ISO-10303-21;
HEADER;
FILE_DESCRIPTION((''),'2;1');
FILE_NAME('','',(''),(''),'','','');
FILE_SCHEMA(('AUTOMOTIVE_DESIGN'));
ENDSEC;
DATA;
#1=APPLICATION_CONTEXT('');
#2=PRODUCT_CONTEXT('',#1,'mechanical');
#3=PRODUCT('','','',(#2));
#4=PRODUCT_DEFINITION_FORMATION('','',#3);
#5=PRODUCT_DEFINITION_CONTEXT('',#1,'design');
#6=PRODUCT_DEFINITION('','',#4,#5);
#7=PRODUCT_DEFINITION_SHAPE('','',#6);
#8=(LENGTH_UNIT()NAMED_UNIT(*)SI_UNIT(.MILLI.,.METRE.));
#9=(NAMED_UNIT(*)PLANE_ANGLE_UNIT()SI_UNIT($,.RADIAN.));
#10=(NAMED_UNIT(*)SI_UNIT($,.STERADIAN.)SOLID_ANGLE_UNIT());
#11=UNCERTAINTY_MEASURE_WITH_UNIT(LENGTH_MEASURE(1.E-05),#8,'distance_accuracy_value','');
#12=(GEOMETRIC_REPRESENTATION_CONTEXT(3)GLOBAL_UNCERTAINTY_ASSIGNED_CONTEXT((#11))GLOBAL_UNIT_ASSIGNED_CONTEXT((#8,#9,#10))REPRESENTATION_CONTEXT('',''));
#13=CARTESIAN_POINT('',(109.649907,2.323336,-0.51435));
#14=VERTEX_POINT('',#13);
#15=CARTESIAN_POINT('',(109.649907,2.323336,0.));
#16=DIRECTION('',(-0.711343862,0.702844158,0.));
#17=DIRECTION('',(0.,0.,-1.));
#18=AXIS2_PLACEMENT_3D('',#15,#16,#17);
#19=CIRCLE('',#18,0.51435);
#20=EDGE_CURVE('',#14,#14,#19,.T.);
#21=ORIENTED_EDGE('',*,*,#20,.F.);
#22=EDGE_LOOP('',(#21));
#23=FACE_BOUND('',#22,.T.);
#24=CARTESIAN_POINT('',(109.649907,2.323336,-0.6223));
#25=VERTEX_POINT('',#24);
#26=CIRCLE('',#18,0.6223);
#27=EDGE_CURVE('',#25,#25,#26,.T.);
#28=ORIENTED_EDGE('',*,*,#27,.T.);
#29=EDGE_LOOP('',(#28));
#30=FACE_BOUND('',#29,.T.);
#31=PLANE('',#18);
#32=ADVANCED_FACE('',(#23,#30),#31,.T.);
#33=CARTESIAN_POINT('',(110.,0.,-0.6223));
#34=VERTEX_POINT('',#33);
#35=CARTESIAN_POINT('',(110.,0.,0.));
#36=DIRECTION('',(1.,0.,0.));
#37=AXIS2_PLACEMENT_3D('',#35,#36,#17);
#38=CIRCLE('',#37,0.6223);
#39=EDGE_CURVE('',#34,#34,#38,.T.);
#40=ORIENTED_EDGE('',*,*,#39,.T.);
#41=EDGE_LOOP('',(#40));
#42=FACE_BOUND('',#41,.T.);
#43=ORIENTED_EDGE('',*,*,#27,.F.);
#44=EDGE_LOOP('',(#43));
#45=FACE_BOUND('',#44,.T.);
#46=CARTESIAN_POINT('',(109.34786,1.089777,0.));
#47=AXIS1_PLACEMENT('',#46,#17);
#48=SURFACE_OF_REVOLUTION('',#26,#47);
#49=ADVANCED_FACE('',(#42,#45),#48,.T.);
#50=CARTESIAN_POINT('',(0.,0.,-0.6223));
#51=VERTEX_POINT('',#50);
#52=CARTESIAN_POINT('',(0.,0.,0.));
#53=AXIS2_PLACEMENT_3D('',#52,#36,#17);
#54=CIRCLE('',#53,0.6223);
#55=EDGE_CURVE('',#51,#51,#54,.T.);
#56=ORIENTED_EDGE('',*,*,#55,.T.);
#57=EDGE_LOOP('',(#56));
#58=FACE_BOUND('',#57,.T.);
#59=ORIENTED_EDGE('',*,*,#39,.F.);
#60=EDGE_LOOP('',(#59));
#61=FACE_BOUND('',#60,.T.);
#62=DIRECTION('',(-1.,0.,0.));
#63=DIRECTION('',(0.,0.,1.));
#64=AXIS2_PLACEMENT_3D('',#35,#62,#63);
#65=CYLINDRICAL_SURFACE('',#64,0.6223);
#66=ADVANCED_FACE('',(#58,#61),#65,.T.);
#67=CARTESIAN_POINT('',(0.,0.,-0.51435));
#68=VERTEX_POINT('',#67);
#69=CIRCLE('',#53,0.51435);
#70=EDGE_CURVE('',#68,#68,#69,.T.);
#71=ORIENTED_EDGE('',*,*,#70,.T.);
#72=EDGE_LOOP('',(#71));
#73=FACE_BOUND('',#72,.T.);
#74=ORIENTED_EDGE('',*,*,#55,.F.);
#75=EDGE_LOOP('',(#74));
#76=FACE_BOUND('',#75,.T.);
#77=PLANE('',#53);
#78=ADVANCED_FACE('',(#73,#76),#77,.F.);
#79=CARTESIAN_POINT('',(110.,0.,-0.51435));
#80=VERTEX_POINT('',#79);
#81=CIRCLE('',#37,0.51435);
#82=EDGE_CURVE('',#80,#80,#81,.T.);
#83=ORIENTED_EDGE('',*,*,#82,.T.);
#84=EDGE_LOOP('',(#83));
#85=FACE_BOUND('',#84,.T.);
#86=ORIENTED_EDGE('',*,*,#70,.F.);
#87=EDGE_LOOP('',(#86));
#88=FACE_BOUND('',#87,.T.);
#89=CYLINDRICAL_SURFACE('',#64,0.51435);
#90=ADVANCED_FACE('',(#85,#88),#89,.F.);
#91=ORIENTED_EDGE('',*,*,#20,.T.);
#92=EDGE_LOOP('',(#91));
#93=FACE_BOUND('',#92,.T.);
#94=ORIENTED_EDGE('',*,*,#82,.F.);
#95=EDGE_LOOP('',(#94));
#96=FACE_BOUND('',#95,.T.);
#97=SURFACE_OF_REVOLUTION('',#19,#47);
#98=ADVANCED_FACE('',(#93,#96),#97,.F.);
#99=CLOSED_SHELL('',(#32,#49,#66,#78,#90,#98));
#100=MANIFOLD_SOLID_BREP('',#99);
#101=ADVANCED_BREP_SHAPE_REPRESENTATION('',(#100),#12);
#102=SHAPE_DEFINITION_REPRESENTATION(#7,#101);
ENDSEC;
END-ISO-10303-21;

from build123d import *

# Parameters (mm, degrees)
SKETCH1_R           = 0.6223
SKETCH1_R_2         = 0.51435
BOSS_EXTRUDE1_DEPTH = 110
SKETCH3_R           = 0.6223
SKETCH3_R_2         = 0.51435


with BuildPart() as part:
    # Sketch1 → Boss-Extrude1 (new body)
    with BuildSketch(Plane(origin=(0, 0, 0), x_dir=(0, 0, -1), z_dir=(1, 0, 0))):
        Circle(SKETCH1_R)
        Circle(SKETCH1_R_2, mode=Mode.SUBTRACT)
    extrude(amount=BOSS_EXTRUDE1_DEPTH)

    # Sweep1: sweep along a path in Sketch2
    with BuildLine(Plane.XY) as sweep1_path:
        ThreePointArc((110, 0), (110.603682456, 1.279010883), (109.649907133, 2.323335536))
    # Sketch3 → Sweep1 (sweep)
    with BuildSketch(Plane(origin=(110, 0, 0), x_dir=(0, 0, -1), z_dir=(1, 0, 0))):
        Circle(SKETCH3_R)
        Circle(SKETCH3_R_2, mode=Mode.SUBTRACT)
    sweep(path=sweep1_path.line)


solid = part.part
